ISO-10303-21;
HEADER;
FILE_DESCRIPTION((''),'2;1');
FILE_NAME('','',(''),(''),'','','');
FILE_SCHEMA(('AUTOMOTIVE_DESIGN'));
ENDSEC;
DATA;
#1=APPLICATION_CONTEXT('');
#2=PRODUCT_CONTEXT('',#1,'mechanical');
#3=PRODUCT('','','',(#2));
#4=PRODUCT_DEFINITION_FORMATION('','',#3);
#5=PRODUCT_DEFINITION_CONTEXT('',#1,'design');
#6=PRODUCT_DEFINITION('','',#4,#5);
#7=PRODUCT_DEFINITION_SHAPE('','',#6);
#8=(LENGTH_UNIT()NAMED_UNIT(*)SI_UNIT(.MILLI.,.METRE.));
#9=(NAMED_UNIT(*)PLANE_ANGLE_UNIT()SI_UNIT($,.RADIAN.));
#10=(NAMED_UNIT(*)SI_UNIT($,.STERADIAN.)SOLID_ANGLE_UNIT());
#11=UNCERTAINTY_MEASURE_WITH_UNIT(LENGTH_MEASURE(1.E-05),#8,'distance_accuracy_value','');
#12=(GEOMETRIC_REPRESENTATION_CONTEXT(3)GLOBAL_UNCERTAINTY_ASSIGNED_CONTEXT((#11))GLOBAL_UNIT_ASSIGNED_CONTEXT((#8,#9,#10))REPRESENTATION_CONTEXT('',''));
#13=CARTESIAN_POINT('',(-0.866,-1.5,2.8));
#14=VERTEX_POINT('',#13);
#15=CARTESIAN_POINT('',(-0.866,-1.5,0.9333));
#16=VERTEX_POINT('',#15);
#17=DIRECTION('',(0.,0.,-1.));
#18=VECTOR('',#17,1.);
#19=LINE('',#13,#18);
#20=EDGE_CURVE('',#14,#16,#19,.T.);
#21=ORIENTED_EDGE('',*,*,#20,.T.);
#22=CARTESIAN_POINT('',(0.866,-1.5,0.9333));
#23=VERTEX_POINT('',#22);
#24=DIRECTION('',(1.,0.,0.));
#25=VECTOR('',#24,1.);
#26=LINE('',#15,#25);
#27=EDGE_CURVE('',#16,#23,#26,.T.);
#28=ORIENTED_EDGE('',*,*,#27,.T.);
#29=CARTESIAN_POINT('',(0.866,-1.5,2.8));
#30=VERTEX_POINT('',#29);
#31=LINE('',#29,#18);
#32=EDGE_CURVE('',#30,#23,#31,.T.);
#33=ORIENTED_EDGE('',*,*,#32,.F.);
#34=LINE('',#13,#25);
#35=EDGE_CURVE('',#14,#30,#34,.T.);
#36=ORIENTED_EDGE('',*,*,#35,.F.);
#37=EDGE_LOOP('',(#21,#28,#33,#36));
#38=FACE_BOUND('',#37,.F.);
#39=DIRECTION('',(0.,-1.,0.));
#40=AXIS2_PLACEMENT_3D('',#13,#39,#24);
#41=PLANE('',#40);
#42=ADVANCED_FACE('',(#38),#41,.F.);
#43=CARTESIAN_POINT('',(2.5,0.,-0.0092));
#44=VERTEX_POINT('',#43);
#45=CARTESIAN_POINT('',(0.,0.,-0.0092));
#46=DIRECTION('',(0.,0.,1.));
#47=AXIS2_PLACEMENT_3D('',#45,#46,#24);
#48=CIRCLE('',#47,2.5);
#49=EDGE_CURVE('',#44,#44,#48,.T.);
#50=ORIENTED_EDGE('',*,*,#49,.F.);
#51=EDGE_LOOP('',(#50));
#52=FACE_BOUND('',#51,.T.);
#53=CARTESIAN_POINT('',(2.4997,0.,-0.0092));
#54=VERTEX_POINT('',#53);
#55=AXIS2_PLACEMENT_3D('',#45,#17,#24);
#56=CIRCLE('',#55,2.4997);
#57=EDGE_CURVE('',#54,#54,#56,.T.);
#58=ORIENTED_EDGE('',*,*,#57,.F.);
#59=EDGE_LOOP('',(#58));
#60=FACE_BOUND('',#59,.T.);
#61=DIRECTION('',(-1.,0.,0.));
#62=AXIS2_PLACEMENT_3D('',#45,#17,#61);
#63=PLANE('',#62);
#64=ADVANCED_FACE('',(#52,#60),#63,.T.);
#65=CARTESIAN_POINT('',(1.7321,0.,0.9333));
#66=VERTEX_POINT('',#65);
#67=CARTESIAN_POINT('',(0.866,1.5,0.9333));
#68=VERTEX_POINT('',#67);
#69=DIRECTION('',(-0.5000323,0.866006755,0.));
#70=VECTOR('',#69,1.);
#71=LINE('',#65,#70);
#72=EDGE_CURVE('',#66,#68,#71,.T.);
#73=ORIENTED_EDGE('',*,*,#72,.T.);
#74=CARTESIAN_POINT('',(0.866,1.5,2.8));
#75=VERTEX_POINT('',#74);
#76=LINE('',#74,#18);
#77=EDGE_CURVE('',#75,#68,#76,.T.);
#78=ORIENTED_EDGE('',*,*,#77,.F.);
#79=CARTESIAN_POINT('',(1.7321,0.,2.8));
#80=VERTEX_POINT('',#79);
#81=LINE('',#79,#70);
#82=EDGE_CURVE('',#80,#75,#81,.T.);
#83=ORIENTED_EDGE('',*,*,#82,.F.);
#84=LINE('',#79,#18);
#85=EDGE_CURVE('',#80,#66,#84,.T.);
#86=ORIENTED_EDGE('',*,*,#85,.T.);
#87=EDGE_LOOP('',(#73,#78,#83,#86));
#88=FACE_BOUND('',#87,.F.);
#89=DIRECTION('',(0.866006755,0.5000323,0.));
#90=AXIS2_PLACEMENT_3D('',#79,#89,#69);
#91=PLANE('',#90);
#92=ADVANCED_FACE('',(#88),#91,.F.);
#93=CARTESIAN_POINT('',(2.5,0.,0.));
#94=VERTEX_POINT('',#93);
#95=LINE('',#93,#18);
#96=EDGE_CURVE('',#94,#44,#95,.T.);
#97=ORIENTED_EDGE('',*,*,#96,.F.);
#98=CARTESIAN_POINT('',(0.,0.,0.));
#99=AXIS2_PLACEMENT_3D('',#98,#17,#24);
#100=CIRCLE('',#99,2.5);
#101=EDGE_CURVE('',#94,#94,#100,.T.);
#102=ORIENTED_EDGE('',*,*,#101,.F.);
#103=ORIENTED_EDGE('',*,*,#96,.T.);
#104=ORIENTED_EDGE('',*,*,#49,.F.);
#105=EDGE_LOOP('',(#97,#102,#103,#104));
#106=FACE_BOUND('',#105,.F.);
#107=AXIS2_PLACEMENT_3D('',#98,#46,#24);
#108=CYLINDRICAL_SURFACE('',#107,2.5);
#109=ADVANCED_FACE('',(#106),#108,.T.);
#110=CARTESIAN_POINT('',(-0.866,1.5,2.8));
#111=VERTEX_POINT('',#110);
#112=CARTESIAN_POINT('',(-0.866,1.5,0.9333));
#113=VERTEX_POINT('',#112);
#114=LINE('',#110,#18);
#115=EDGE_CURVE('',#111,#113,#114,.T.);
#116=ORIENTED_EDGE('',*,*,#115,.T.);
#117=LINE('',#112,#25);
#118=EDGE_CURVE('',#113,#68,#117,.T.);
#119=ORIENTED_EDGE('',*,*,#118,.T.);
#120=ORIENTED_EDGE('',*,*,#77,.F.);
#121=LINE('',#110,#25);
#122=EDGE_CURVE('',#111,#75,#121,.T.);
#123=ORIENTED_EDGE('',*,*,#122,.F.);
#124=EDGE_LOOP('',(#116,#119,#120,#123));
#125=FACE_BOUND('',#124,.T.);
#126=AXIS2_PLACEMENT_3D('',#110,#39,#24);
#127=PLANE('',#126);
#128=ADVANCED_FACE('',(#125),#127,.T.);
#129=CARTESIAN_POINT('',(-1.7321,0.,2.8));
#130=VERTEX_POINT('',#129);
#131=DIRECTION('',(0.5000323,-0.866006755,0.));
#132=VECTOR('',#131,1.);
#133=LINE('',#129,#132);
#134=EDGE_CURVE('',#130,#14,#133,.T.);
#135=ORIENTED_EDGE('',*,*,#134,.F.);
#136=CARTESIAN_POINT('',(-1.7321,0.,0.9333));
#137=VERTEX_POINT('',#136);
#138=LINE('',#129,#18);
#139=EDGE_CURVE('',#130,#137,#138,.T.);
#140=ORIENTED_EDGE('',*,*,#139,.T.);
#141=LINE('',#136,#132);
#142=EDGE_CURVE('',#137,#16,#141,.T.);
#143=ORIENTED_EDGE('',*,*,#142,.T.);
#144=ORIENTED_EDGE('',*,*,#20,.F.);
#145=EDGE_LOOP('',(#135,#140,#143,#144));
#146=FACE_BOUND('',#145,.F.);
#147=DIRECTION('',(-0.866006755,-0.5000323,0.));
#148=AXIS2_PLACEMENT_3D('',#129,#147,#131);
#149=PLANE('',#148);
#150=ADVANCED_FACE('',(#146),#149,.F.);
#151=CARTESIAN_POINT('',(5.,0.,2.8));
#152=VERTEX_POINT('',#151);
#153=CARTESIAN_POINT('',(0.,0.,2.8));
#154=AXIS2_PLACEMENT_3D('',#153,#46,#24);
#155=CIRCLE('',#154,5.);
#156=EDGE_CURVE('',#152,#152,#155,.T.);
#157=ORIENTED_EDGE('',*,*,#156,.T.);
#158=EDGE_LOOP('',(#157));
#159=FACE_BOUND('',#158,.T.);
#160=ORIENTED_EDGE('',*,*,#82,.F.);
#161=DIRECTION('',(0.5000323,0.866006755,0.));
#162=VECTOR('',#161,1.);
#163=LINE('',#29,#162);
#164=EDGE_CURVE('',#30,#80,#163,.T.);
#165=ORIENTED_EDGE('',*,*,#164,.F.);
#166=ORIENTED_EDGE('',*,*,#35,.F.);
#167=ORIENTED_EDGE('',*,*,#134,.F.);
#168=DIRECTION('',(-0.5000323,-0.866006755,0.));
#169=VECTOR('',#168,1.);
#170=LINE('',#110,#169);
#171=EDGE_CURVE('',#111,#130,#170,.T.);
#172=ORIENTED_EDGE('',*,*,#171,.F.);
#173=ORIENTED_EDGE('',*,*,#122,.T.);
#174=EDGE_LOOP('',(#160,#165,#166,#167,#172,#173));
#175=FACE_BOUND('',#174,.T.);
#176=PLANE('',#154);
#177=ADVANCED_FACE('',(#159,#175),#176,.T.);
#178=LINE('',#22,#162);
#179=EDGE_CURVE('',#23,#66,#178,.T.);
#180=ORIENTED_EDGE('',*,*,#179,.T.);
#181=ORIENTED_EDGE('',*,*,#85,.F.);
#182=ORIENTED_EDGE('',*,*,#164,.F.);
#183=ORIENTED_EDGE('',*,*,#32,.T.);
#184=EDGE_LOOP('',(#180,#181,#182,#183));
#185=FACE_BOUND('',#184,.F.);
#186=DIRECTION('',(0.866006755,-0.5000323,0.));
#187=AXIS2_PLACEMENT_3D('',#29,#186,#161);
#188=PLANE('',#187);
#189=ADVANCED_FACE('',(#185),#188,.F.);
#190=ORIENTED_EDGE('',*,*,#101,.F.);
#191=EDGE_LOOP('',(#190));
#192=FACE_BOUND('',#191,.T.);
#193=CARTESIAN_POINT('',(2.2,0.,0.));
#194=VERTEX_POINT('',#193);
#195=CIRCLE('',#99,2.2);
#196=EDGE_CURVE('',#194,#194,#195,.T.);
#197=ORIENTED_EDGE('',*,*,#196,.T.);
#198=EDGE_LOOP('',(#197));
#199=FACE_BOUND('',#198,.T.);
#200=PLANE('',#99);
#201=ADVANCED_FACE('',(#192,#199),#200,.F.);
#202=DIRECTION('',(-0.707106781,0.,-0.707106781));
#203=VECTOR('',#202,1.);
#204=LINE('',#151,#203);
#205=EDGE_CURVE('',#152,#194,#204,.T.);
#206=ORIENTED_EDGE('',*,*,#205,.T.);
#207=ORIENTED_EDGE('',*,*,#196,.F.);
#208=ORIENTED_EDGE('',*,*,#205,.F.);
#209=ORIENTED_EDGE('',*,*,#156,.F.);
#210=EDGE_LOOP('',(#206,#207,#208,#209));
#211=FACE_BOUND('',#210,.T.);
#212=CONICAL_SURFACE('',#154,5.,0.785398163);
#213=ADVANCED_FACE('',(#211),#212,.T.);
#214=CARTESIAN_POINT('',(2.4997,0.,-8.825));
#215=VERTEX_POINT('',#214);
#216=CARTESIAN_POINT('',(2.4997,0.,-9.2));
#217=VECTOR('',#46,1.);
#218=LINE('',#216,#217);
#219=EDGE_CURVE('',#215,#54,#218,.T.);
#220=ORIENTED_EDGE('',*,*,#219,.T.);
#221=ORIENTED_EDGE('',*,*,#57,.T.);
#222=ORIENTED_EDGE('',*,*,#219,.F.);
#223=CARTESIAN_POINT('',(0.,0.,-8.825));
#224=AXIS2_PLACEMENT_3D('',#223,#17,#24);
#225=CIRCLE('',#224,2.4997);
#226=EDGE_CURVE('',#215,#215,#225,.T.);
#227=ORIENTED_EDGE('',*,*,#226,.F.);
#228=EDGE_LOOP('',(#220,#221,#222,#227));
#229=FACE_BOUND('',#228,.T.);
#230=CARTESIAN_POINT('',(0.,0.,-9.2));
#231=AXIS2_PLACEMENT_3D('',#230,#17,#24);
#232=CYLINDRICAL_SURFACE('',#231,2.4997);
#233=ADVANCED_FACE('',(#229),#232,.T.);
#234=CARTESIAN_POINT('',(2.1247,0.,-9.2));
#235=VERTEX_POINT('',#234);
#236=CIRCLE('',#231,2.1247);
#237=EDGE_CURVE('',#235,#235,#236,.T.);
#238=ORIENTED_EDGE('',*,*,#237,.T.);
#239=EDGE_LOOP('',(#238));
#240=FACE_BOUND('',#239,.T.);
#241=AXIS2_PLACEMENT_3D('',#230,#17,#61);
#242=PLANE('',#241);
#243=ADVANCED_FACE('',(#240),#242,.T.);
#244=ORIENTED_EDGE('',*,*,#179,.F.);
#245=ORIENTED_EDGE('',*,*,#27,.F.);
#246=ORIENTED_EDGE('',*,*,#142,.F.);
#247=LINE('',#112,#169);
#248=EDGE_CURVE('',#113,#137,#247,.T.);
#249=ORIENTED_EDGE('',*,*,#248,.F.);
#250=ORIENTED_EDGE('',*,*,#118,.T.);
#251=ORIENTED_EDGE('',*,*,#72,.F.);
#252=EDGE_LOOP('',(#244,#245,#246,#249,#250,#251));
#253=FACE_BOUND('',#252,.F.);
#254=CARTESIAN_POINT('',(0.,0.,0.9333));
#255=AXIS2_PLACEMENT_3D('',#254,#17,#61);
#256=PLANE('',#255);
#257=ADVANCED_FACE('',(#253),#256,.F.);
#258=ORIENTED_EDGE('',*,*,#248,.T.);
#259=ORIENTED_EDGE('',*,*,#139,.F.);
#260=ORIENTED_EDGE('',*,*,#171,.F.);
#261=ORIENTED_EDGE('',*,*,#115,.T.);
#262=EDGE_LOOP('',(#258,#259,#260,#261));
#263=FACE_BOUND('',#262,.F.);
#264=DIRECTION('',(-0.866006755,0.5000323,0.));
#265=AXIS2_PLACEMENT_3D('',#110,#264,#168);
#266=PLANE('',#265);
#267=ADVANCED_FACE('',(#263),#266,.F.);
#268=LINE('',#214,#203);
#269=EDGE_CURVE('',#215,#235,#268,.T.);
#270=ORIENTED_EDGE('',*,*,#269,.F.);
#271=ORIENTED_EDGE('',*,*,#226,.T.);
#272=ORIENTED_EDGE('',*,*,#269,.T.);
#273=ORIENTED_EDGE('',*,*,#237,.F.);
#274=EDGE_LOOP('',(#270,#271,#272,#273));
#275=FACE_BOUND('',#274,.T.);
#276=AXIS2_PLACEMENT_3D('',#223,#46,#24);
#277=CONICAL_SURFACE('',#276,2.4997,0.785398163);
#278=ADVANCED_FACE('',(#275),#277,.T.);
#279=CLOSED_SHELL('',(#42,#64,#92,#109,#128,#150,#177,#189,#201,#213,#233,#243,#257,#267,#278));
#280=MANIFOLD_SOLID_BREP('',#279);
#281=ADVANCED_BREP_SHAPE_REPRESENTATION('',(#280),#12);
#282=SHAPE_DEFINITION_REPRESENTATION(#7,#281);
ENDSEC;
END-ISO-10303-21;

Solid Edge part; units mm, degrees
sketch "Sketch1" plane through (0, 0, 0) normal (0, 0, 1) x (1, 0, 0)
  circle A0 centre (0, 0) radius 5
  dimension "D1" = 10
extrude "Protrusion1" add sketch "Sketch1" along normal blind 2.8
sketch "Sketch2" plane through (0, 0, 0) normal (0, 0, -1) x (1, 0, 0)
  circle A0 centre (0, 0) radius 2.5
extrude "Protrusion2" add sketch "Sketch2" along normal blind 9.2
sketch "Sketch3" plane through (0, 0, -9.2) normal (0, 0, -1) x (1, 0, 0)
  circle A0 centre (0, 0) radius 2.4997
extrude "Cutout1" cut sketch "Sketch3" against normal blind 9.1908 flip side to cut
chamfer "Chamfer_1" distance 0.375 angle 45 1 edges at (-2.4997, 0, -9.2)
sketch "Sketch4" plane through (0, 0, 2.8) normal (0, 0, 1) x (1, 0, 0)
  line L0 (-0.866, 1.5) -> (0.866, 1.5)
  line L1 (1.7321, 0) -> (0.866, 1.5)
  line L2 (0.866, -1.5) -> (1.7321, 0)
  line L3 (-0.866, -1.5) -> (0.866, -1.5)
  line L4 (-1.7321, 0) -> (-0.866, -1.5)
  line L5 (-0.866, 1.5) -> (-1.7321, 0)
  dimension "D1" = 3
extrude "Cutout2" cut sketch "Sketch4" against normal blind 1.8667
sketch "Sketch5" plane through (0, 0, 0) normal (0, -1, 0) x (1, 0, 0)
  line L0 (5, 2.8) -> (2.2, 0)
  line L1 (2.2, 0) -> (5, 0)
  line L2 (5, 0) -> (5, 2.8)
revolve "RevolvedCutout1" cut sketch "Sketch5" angle 360 about axis through (0, 0, 14.0017) along (0, 0, -1)
properties part number "185757"
